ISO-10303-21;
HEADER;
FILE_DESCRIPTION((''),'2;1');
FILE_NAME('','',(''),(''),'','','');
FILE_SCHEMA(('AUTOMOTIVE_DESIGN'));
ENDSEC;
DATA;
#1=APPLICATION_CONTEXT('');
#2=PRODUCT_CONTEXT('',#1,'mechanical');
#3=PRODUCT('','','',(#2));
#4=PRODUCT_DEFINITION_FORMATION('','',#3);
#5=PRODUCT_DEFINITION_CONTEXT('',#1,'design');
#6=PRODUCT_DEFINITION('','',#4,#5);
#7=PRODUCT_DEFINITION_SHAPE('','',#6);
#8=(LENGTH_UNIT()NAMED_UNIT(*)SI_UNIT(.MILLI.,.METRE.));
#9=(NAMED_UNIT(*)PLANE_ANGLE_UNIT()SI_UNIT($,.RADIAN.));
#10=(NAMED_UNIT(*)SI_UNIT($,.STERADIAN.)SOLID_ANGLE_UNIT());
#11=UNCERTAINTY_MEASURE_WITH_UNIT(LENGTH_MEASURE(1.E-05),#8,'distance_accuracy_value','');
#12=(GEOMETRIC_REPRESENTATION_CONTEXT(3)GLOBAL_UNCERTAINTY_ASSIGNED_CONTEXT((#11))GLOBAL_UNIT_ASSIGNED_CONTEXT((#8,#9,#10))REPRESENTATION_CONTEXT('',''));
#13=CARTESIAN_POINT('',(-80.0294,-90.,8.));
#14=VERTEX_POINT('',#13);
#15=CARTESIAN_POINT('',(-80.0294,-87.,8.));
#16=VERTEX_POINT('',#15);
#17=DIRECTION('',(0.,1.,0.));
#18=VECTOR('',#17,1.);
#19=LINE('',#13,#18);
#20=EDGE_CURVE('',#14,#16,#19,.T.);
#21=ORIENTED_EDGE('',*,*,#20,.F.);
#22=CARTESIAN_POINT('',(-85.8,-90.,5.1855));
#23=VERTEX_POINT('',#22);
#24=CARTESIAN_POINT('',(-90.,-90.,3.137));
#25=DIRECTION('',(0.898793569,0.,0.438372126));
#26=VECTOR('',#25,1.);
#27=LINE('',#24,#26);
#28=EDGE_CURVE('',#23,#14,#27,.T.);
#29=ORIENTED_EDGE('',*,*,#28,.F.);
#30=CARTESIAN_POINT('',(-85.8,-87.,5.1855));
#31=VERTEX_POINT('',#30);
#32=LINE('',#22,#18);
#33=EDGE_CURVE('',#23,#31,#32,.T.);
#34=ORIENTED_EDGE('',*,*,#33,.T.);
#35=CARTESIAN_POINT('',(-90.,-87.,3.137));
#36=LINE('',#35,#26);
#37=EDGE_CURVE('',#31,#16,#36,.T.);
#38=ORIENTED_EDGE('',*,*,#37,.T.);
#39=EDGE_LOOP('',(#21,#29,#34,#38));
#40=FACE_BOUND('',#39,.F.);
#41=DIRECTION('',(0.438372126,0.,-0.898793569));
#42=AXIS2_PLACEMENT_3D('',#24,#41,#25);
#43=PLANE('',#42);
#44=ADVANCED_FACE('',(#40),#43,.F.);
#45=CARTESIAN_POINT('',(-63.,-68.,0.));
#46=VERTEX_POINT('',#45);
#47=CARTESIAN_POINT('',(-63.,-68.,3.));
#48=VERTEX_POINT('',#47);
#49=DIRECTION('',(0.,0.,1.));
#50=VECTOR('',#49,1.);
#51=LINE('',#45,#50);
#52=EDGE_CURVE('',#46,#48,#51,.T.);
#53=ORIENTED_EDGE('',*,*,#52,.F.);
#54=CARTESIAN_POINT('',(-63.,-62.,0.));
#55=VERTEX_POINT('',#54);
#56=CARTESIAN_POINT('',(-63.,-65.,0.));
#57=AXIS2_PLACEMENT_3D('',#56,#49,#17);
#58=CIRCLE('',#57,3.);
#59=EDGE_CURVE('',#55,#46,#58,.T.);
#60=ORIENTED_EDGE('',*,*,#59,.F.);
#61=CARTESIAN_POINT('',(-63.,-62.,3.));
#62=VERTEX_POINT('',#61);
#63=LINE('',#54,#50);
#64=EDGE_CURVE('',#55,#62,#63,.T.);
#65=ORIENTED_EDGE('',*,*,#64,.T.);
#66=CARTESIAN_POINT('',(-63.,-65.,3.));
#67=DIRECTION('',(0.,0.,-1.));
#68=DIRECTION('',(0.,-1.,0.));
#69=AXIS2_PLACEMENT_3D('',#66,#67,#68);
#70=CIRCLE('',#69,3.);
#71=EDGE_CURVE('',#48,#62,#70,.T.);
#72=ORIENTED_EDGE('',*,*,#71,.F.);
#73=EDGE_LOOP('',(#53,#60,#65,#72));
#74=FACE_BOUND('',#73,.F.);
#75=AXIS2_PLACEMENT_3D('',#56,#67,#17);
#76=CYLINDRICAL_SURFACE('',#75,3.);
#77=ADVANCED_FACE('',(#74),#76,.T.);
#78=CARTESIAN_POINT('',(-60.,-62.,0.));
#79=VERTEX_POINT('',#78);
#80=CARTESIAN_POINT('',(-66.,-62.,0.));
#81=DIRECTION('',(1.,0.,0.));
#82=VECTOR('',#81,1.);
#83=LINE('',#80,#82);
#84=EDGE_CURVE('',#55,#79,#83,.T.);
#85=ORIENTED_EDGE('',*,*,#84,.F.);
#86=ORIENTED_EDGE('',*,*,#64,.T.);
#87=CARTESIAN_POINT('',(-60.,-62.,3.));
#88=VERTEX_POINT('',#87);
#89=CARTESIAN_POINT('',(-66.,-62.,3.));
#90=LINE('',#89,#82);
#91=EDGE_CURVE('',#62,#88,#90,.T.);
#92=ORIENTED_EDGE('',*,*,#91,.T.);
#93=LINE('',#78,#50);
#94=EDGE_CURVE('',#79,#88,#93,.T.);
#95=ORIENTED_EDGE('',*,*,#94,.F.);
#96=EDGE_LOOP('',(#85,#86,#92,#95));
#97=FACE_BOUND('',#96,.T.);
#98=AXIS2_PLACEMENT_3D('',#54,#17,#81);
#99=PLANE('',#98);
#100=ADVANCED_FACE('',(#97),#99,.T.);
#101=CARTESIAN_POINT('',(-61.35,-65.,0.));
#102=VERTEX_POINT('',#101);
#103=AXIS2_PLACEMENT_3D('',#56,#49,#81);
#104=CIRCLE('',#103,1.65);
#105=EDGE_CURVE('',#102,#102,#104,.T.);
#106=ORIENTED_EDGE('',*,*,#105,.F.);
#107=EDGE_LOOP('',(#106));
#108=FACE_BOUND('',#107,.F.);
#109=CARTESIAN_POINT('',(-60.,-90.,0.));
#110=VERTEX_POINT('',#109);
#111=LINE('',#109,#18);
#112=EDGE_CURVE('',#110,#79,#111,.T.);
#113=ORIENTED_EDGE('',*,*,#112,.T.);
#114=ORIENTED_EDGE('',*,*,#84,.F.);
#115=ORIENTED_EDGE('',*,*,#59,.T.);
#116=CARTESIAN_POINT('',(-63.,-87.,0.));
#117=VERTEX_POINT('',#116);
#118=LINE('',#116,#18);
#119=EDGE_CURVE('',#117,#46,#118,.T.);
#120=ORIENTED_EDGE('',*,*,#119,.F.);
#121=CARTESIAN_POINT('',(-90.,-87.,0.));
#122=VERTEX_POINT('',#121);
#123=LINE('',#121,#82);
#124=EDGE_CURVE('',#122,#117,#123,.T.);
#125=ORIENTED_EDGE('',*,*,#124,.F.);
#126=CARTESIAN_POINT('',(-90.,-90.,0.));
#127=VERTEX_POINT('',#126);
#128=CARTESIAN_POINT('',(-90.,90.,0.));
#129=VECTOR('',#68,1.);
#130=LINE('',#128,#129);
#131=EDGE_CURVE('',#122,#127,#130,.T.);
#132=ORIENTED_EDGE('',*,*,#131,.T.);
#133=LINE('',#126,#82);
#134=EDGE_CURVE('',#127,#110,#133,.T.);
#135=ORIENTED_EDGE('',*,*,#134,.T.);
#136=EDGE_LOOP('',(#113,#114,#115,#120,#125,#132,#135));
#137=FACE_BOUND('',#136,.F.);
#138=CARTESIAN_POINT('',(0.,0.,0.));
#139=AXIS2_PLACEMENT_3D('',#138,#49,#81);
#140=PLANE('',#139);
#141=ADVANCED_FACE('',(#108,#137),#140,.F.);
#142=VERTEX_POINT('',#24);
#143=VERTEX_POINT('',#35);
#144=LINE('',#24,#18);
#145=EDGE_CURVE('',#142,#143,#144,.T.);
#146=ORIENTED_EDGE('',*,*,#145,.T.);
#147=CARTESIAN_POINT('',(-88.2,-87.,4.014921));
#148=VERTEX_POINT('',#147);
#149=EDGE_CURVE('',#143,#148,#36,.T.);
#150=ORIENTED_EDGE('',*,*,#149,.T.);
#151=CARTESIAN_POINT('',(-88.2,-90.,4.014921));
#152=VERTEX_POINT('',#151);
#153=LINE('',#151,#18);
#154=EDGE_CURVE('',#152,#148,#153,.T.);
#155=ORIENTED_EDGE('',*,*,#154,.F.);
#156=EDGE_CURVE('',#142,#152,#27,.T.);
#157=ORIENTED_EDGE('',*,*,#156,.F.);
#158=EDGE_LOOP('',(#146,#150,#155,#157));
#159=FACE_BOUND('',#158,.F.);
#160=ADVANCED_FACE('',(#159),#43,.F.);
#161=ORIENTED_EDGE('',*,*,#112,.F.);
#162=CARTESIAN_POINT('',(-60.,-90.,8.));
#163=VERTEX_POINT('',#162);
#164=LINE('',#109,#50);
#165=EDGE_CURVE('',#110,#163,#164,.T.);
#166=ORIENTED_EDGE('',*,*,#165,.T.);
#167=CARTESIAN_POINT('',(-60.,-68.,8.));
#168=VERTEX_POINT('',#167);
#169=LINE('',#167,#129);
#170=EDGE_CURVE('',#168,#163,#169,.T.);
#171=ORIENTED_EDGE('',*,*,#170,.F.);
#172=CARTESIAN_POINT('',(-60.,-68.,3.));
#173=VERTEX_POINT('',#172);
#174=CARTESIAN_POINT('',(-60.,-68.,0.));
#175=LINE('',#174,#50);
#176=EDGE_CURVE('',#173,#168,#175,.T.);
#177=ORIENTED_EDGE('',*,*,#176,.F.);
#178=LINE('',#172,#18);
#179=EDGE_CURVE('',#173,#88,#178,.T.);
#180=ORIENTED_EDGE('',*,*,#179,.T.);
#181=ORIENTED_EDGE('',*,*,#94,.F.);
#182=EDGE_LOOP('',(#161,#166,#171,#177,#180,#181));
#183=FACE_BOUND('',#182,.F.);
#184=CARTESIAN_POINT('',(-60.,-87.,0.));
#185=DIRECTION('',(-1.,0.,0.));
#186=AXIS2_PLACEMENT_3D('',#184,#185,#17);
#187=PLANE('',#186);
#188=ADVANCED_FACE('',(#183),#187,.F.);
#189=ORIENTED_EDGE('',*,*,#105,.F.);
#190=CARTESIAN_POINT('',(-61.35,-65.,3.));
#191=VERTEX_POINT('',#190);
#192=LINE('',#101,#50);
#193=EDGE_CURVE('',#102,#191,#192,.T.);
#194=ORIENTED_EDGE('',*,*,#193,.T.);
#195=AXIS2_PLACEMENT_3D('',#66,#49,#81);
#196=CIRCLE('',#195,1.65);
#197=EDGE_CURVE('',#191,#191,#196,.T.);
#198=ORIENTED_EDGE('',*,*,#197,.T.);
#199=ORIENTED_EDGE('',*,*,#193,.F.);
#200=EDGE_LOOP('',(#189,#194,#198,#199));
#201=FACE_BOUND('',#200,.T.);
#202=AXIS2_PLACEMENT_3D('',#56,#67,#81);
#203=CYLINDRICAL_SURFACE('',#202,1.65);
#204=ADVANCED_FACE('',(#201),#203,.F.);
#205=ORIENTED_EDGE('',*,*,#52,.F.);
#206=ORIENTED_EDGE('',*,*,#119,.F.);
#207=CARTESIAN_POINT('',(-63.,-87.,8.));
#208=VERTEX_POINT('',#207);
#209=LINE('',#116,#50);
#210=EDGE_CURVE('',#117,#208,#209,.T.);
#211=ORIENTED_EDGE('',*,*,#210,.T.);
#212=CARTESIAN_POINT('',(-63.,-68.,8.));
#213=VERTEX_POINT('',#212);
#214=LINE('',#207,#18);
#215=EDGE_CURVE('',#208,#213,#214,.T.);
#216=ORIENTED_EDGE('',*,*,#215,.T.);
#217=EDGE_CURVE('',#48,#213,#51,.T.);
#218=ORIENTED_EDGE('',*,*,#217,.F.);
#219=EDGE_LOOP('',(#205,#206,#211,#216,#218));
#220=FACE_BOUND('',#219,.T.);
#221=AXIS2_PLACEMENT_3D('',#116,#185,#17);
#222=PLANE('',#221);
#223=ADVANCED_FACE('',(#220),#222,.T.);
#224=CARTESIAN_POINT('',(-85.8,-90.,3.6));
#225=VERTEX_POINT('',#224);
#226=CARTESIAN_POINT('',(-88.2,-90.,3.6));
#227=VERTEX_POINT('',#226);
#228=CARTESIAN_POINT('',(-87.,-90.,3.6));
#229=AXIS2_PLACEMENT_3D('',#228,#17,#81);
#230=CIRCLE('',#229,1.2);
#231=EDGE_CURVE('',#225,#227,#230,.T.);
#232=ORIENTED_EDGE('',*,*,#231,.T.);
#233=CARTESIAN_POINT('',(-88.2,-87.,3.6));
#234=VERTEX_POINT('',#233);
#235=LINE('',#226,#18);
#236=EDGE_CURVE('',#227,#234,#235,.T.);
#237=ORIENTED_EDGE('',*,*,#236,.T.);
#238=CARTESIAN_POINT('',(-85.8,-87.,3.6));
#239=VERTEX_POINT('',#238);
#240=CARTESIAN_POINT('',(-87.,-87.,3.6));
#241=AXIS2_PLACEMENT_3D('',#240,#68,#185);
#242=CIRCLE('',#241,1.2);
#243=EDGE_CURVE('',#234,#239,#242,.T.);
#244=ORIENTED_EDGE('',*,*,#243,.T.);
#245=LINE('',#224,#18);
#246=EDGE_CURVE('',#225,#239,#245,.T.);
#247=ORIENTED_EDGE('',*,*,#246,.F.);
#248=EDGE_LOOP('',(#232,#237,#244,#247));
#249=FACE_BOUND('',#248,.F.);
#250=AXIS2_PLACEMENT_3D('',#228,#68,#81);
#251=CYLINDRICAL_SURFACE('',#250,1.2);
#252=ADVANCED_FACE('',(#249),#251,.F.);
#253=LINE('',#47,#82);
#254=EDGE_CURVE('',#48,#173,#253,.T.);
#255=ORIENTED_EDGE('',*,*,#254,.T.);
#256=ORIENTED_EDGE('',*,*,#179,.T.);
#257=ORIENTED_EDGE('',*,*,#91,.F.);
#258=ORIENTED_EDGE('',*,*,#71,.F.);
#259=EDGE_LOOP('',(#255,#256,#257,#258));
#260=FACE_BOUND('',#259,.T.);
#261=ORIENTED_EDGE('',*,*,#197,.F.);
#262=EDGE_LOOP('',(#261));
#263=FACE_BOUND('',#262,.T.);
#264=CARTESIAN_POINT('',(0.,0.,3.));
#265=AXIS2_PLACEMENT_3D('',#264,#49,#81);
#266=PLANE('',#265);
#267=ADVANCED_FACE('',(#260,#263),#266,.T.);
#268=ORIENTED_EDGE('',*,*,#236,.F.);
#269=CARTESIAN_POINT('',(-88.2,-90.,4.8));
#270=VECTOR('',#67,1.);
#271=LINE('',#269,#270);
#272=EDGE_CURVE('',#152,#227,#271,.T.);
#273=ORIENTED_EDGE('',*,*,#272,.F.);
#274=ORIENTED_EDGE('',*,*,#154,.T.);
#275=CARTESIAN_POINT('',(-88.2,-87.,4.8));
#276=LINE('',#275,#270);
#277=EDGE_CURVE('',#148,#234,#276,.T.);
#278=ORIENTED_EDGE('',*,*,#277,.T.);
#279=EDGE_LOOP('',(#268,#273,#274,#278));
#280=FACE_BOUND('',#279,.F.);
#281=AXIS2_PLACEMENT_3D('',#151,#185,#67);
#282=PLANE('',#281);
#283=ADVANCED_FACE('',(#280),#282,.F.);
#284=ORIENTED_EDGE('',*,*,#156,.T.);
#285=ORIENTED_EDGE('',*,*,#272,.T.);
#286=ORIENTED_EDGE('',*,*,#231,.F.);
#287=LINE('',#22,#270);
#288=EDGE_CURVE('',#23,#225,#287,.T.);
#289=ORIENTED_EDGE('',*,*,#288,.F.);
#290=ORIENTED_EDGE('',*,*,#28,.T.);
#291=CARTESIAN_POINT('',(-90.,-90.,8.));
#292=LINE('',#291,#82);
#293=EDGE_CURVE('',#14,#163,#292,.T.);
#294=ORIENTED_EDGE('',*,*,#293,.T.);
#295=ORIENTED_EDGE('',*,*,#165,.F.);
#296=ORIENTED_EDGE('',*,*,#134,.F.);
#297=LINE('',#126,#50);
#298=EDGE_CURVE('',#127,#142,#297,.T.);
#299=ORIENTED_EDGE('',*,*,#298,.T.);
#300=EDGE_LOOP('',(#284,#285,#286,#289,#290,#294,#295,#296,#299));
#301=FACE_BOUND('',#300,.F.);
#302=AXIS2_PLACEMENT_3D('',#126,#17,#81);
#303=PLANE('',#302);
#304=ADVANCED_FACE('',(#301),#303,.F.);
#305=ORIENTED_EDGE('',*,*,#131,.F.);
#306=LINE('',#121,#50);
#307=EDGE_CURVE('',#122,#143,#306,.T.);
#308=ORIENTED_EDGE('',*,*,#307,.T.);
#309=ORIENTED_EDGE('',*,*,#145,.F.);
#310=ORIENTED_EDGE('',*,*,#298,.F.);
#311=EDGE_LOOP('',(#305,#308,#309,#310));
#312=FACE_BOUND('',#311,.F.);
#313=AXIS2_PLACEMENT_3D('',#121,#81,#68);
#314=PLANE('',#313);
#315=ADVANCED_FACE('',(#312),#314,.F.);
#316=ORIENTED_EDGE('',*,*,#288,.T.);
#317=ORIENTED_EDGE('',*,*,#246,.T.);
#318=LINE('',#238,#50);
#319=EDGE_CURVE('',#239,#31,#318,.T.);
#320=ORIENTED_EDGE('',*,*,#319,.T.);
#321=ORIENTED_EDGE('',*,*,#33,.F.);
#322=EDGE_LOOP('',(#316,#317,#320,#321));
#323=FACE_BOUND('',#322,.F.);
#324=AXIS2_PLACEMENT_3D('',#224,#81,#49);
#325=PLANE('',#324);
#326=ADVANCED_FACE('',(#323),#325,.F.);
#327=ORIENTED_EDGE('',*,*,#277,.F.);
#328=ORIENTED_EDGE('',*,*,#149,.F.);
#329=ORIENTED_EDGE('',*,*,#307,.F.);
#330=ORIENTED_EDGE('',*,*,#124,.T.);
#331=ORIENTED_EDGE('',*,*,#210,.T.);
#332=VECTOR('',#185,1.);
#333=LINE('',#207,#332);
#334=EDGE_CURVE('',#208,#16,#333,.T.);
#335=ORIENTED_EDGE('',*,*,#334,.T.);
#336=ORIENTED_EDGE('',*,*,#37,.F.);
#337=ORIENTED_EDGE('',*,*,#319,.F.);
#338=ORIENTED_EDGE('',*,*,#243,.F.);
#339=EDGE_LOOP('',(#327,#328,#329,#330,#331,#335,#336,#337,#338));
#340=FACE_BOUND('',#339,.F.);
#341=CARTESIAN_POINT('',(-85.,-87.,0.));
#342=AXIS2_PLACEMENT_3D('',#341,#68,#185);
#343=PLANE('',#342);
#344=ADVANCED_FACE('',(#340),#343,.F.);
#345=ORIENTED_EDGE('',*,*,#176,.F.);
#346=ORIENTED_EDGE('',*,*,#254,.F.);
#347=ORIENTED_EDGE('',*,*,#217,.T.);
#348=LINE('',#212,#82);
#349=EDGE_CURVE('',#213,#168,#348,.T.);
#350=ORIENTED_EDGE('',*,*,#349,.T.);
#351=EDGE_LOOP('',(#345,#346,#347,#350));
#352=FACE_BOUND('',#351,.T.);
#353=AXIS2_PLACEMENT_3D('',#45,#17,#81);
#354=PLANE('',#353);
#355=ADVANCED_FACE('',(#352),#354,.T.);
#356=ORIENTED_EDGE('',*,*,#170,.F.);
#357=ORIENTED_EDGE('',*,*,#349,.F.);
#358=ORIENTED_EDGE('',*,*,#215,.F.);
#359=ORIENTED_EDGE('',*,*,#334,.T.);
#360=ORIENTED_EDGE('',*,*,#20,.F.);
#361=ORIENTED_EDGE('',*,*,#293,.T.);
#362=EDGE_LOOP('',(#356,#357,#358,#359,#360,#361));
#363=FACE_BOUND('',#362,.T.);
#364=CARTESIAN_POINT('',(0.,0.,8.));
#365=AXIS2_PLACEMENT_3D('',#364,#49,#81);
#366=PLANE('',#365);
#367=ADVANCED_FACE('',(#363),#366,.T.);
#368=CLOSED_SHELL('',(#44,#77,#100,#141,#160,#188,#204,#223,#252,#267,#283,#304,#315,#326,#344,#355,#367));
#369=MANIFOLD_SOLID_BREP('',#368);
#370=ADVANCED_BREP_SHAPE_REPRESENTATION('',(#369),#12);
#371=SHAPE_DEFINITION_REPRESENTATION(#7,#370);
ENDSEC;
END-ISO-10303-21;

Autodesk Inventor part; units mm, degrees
ref_plane "YZ Plane" through (0, 0, 0) normal (1, 0, 0) x (0, 1, 0)
ref_plane "XZ Plane" through (0, 0, 0) normal (0, 1, 0) x (-1, 0, 0)
ref_plane "XY Plane" through (0, 0, 0) normal (0, 0, 1) x (1, 0, 0)
sketch "Sketch1" plane through (0, 0, 0) normal (0, 0, 1) x (1, 0, 0)
  line L0 (-58, -60) -> (-60, -60) projected
  line L1 (-60, -60) -> (-60, -39.5) projected
  line L2 (-60, -39.5) -> (-58, -39.5) projected
  line L3 (-58, -39.5) -> (-58, -60) projected
  line L4 (49.6, 30) -> (51.6, 30) projected
  line L5 (51.6, 30) -> (51.6, 9.5) projected
  line L6 (51.6, 9.5) -> (49.6, 9.5) projected
  line L7 (49.6, 9.5) -> (49.6, 30) projected
  line L8 (-58, 39.5) -> (-60, 39.5) projected
  line L9 (-60, 39.5) -> (-60, 60) projected
  line L10 (-60, 60) -> (-58, 60) projected
  line L11 (-58, 60) -> (-58, 39.5) projected
  line L12 (-21.6, -39.5) -> (-19.6, -39.5) projected
  line L13 (-19.6, -39.5) -> (-19.6, -60) projected
  line L14 (-19.6, -60) -> (-21.6, -60) projected
  line L15 (-21.6, -60) -> (-21.6, -39.5) projected
  line L16 (51.6, -30) -> (49.6, -30) projected
  line L17 (49.6, -30) -> (49.6, -9.5) projected
  line L18 (49.6, -9.5) -> (51.6, -9.5) projected
  line L19 (51.6, -9.5) -> (51.6, -30) projected
  line L20 (-21.6, 60) -> (-19.6, 60) projected
  line L21 (-19.6, 60) -> (-19.6, 39.5) projected
  line L22 (-19.6, 39.5) -> (-21.6, 39.5) projected
  line L23 (-21.6, 39.5) -> (-21.6, 60) projected
  line L24 (90, -35) -> (90, 35) projected
  line L25 (90, 35) -> (49.6, 35) projected
  line L26 (49.6, 35) -> (49.6, 60) projected
  line L27 (49.6, 60) -> (90, 60) projected
  line L28 (90, 60) -> (90, 90) projected
  line L29 (90, 90) -> (-19.6, 90) projected
  line L30 (-19.6, 90) -> (-19.6, 65) projected
  line L31 (-19.6, 65) -> (-60, 65) projected
  line L32 (-60, 65) -> (-60, 90) projected
  line L33 (-60, 90) -> (-90, 90) projected
  line L34 (-90, 90) -> (-90, -90) projected
  line L35 (-90, -90) -> (-60, -90) projected
  line L36 (-60, -90) -> (-60, -65) projected
  line L37 (-60, -65) -> (-19.6, -65) projected
  line L38 (-19.6, -65) -> (-19.6, -90) projected
  line L39 (-19.6, -90) -> (90, -90) projected
  line L40 (90, -90) -> (90, -60) projected
  line L41 (90, -60) -> (49.6, -60) projected
  line L42 (49.6, -60) -> (49.6, -35) projected
  line L43 (49.6, -35) -> (90, -35) projected
  line L44 (86, -32) -> (73.8, -32) projected
  line L45 (73.8, -32) -> (73.8, -7.5) projected
  line L46 (73.8, -7.5) -> (86, -7.5) projected
  line L47 (86, -7.5) -> (86, -32) projected
  line L48 (65.8, -32) -> (53.6, -32) projected
  line L49 (53.6, -32) -> (53.6, -7.5) projected
  line L50 (53.6, -7.5) -> (65.8, -7.5) projected
  line L51 (65.8, -7.5) -> (65.8, -32) projected
  line L52 (86, -86) -> (70.6, -86) projected
  line L53 (70.6, -86) -> (70.6, -69.8) projected
  line L54 (70.6, -69.8) -> (86, -69.8) projected
  line L55 (86, -69.8) -> (86, -86) projected
  line L56 (86, 86) -> (86, 69.8) projected
  line L57 (86, 69.8) -> (70.6, 69.8) projected
  line L58 (70.6, 69.8) -> (70.6, 86) projected
  line L59 (70.6, 86) -> (86, 86) projected
  line L60 (73.8, 32) -> (86, 32) projected
  line L61 (86, 32) -> (86, 7.5) projected
  line L62 (86, 7.5) -> (73.8, 7.5) projected
  line L63 (73.8, 7.5) -> (73.8, 32) projected
  line L64 (65.8, 32) -> (65.8, 7.5) projected
  line L65 (65.8, 7.5) -> (53.6, 7.5) projected
  line L66 (53.6, 7.5) -> (53.6, 32) projected
  line L67 (53.6, 32) -> (65.8, 32) projected
  line L68 (-69.6, -87) -> (-85, -87) projected
  line L69 (-85, -87) -> (-85, -70.8) projected
  line L70 (-85, -70.8) -> (-69.6, -70.8) projected
  line L71 (-69.6, -70.8) -> (-69.6, -87) projected
  line L72 (-56, -62) -> (-56, -37.5) projected
  line L73 (-56, -37.5) -> (-43.8, -37.5) projected
  line L74 (-43.8, -37.5) -> (-43.8, -62) projected
  line L75 (-43.8, -62) -> (-56, -62) projected
  line L76 (-56, 62) -> (-43.8, 62) projected
  line L77 (-43.8, 62) -> (-43.8, 37.5) projected
  line L78 (-43.8, 37.5) -> (-56, 37.5) projected
  line L79 (-56, 37.5) -> (-56, 62) projected
  line L80 (-23.6, 62) -> (-23.6, 37.5) projected
  line L81 (-23.6, 37.5) -> (-35.8, 37.5) projected
  line L82 (-35.8, 37.5) -> (-35.8, 62) projected
  line L83 (-35.8, 62) -> (-23.6, 62) projected
  line L84 (-23.6, -62) -> (-35.8, -62) projected
  line L85 (-35.8, -62) -> (-35.8, -37.5) projected
  line L86 (-35.8, -37.5) -> (-23.6, -37.5) projected
  line L87 (-23.6, -37.5) -> (-23.6, -62) projected
  line L88 (-85, 87) -> (-69.6, 87) projected
  line L89 (-69.6, 87) -> (-69.6, 70.8) projected
  line L90 (-69.6, 70.8) -> (-85, 70.8) projected
  line L91 (-85, 70.8) -> (-85, 87) projected
  line L92 (-63, -68) -> (-60, -68) projected
  line L93 (-60, -68) -> (-60, -65) projected
  line L94 (-60, -65) -> (-19.6, -65) projected
  line L95 (-90, -90) -> (-60, -90)
  line L96 (-60, -90) -> (-60, -87)
  line L97 (-60, -87) -> (-90, -87)
  line L98 (-90, -87) -> (-90, -90)
  line L99 (-60, -87) -> (-63, -87)
  line L100 (-63, -87) -> (-63, -68)
  line L101 (-63, -68) -> (-60, -68)
  line L102 (-60, -68) -> (-60, -87)
  line L103 (-60, -68) -> (-66, -68)
  line L104 (-66, -68) -> (-66, -62)
  line L105 (-66, -62) -> (-60, -62)
  line L106 (-60, -62) -> (-60, -68)
  circle A0 centre (-63, -65) radius 1.5 projected
  circle A1 centre (-16.6, -87) radius 1.5 projected
  circle A2 centre (49.6, -87) radius 1.5 projected
  circle A3 centre (46.6, -60) radius 1.5 projected
  circle A4 centre (87, -63) radius 1.5 projected
  circle A5 centre (46.6, -32) radius 1.5 projected
  circle A6 centre (46.6, 32) radius 1.5 projected
  circle A7 centre (87, 63) radius 1.5 projected
  circle A8 centre (46.6, 60) radius 1.5 projected
  circle A9 centre (49.6, 87) radius 1.5 projected
  circle A10 centre (-16.6, 87) radius 1.5 projected
  circle A11 centre (-16.6, 65) radius 1.5 projected
  circle A12 centre (-63, 65) radius 1.5 projected
  arc A13 (-63, -62) -> (-63, -68) centre (-63, -65) ccw projected
  arc A14 (-16.6, -68) -> (-16.6, -62) centre (-16.6, -65) ccw projected
  line L107 (-16.6, -62) -> (-63, -62) projected
  line L108 (-76, -39.25) -> (-82, -39.25) projected
  line L109 (-82, -39.25) -> (-82, -20.75) projected
  line L110 (-82, -20.75) -> (-76, -20.75) projected
  line L111 (-76, -20.75) -> (-76, -39.25) projected
  line L112 (-76, 20.75) -> (-82, 20.75) projected
  line L113 (-82, 20.75) -> (-82, 39.25) projected
  line L114 (-82, 39.25) -> (-76, 39.25) projected
  line L115 (-76, 39.25) -> (-76, 20.75) projected
  line L116 (-19.6, -68) -> (-16.6, -68) projected
  circle A15 centre (-86.5, -55.7158) radius 1.25 projected
  circle A16 centre (-86.5, 55.8) radius 1.25 projected
  circle A17 centre (-79.5, -5.4579) radius 1.25 projected
  circle A18 centre (-79.5, 5.5421) radius 1.25 projected
  line L117 (-19.6, -65) -> (-19.6, -68) projected
  point P0 (0, 0)
  dimension "d0" = 3
extrude "Extrusion1" add sketch "Sketch1" along normal blind 8 contours L36 L97 L100 L92 | L36 L35 L34 L97 L68
ref_plane "Work Plane1" through (0, 0, 0) normal (0, 0, 1) x (1, 0, 0)
sketch "Sketch2" plane through (0, 0, 0) normal (0, 0, 1) x (1, 0, 0)
  line L0 (-63, -68) -> (-60, -68) projected
  line L1 (-60, -68) -> (-60, -65) projected
  line L2 (-60, -65) -> (-19.6, -65) projected
  circle A0 centre (-63, -65) radius 2 projected
  line L3 (-60, -90) -> (-60, -68) projected
  line L4 (-60, -68) -> (-66, -68)
  line L5 (-66, -68) -> (-66, -62)
  line L6 (-66, -62) -> (-60, -62)
  line L7 (-60, -62) -> (-60, -68)
  circle A1 centre (-63, -65) radius 1.65
  arc A2 (-63, -62) -> (-63, -68) centre (-63, -65) ccw projected
  arc A3 (-16.6, -68) -> (-16.6, -62) centre (-16.6, -65) ccw projected
  line L8 (-16.6, -62) -> (-63, -62) projected
  line L9 (-19.6, -68) -> (-16.6, -68) projected
  line L10 (-19.6, -65) -> (-19.6, -68) projected
  point P0 (0, 0)
  dimension "d3" = 3.3
extrude "Extrusion2" add sketch "Sketch2" along normal blind 3 contours A2 L6 L7 L1 L0 | A0
sketch "Sketch3" plane through (-90, -90, 0) normal (0, -1, 0) x (1, 0, 0)
  line L0 (0, 0) -> (0, 8) projected
  line L1 (0, 3.137) -> (9.9706, 8)
  line L2 (0, 3.137) -> (11.0933, 3.137) construction
  line L3 (0, 8) -> (30, 8) projected
  point P0 (90, 0)
  dimension "d7" = 26
  dimension "d8" = 3.137
extrude "Extrusion3" cut sketch "Sketch3" against normal blind 3
sketch "Sketch4" plane through (-90, -90, 0) normal (0, -1, 0) x (1, 0, 0)
  circle A0 centre (3, 3.6) radius 1.2 projected
  line L0 (1.8, 2.4) -> (4.2, 2.4)
  line L1 (4.2, 2.4) -> (4.2, 4.8)
  line L2 (4.2, 4.8) -> (1.8, 4.8)
  line L3 (1.8, 4.8) -> (1.8, 2.4)
  line L4 (1.8, 2.4) -> (4.2, 4.8) construction
  line L5 (4.2, 2.4) -> (1.8, 4.8) construction
  line L6 (4.2, 4.8) -> (4.2, 5.1855)
  line L7 (0, 3.137) -> (9.9706, 8) projected
  line L8 (4.2, 5.1855) -> (3, 4.6002)
  point P0 (90, 0)
  point P1 (1.8, 4.0149)
  point P2 (1.8, 3.6)
  point P3 (4.2, 3.6)
extrude "Extrusion4" cut sketch "Sketch4" against normal blind 3 contours A0 L7 | A0 L7 L2 L1 | L2 L7 L6 | L3 L7 A0 picked at (3.089, 3.1434)
properties part number "rightfrontwall"
